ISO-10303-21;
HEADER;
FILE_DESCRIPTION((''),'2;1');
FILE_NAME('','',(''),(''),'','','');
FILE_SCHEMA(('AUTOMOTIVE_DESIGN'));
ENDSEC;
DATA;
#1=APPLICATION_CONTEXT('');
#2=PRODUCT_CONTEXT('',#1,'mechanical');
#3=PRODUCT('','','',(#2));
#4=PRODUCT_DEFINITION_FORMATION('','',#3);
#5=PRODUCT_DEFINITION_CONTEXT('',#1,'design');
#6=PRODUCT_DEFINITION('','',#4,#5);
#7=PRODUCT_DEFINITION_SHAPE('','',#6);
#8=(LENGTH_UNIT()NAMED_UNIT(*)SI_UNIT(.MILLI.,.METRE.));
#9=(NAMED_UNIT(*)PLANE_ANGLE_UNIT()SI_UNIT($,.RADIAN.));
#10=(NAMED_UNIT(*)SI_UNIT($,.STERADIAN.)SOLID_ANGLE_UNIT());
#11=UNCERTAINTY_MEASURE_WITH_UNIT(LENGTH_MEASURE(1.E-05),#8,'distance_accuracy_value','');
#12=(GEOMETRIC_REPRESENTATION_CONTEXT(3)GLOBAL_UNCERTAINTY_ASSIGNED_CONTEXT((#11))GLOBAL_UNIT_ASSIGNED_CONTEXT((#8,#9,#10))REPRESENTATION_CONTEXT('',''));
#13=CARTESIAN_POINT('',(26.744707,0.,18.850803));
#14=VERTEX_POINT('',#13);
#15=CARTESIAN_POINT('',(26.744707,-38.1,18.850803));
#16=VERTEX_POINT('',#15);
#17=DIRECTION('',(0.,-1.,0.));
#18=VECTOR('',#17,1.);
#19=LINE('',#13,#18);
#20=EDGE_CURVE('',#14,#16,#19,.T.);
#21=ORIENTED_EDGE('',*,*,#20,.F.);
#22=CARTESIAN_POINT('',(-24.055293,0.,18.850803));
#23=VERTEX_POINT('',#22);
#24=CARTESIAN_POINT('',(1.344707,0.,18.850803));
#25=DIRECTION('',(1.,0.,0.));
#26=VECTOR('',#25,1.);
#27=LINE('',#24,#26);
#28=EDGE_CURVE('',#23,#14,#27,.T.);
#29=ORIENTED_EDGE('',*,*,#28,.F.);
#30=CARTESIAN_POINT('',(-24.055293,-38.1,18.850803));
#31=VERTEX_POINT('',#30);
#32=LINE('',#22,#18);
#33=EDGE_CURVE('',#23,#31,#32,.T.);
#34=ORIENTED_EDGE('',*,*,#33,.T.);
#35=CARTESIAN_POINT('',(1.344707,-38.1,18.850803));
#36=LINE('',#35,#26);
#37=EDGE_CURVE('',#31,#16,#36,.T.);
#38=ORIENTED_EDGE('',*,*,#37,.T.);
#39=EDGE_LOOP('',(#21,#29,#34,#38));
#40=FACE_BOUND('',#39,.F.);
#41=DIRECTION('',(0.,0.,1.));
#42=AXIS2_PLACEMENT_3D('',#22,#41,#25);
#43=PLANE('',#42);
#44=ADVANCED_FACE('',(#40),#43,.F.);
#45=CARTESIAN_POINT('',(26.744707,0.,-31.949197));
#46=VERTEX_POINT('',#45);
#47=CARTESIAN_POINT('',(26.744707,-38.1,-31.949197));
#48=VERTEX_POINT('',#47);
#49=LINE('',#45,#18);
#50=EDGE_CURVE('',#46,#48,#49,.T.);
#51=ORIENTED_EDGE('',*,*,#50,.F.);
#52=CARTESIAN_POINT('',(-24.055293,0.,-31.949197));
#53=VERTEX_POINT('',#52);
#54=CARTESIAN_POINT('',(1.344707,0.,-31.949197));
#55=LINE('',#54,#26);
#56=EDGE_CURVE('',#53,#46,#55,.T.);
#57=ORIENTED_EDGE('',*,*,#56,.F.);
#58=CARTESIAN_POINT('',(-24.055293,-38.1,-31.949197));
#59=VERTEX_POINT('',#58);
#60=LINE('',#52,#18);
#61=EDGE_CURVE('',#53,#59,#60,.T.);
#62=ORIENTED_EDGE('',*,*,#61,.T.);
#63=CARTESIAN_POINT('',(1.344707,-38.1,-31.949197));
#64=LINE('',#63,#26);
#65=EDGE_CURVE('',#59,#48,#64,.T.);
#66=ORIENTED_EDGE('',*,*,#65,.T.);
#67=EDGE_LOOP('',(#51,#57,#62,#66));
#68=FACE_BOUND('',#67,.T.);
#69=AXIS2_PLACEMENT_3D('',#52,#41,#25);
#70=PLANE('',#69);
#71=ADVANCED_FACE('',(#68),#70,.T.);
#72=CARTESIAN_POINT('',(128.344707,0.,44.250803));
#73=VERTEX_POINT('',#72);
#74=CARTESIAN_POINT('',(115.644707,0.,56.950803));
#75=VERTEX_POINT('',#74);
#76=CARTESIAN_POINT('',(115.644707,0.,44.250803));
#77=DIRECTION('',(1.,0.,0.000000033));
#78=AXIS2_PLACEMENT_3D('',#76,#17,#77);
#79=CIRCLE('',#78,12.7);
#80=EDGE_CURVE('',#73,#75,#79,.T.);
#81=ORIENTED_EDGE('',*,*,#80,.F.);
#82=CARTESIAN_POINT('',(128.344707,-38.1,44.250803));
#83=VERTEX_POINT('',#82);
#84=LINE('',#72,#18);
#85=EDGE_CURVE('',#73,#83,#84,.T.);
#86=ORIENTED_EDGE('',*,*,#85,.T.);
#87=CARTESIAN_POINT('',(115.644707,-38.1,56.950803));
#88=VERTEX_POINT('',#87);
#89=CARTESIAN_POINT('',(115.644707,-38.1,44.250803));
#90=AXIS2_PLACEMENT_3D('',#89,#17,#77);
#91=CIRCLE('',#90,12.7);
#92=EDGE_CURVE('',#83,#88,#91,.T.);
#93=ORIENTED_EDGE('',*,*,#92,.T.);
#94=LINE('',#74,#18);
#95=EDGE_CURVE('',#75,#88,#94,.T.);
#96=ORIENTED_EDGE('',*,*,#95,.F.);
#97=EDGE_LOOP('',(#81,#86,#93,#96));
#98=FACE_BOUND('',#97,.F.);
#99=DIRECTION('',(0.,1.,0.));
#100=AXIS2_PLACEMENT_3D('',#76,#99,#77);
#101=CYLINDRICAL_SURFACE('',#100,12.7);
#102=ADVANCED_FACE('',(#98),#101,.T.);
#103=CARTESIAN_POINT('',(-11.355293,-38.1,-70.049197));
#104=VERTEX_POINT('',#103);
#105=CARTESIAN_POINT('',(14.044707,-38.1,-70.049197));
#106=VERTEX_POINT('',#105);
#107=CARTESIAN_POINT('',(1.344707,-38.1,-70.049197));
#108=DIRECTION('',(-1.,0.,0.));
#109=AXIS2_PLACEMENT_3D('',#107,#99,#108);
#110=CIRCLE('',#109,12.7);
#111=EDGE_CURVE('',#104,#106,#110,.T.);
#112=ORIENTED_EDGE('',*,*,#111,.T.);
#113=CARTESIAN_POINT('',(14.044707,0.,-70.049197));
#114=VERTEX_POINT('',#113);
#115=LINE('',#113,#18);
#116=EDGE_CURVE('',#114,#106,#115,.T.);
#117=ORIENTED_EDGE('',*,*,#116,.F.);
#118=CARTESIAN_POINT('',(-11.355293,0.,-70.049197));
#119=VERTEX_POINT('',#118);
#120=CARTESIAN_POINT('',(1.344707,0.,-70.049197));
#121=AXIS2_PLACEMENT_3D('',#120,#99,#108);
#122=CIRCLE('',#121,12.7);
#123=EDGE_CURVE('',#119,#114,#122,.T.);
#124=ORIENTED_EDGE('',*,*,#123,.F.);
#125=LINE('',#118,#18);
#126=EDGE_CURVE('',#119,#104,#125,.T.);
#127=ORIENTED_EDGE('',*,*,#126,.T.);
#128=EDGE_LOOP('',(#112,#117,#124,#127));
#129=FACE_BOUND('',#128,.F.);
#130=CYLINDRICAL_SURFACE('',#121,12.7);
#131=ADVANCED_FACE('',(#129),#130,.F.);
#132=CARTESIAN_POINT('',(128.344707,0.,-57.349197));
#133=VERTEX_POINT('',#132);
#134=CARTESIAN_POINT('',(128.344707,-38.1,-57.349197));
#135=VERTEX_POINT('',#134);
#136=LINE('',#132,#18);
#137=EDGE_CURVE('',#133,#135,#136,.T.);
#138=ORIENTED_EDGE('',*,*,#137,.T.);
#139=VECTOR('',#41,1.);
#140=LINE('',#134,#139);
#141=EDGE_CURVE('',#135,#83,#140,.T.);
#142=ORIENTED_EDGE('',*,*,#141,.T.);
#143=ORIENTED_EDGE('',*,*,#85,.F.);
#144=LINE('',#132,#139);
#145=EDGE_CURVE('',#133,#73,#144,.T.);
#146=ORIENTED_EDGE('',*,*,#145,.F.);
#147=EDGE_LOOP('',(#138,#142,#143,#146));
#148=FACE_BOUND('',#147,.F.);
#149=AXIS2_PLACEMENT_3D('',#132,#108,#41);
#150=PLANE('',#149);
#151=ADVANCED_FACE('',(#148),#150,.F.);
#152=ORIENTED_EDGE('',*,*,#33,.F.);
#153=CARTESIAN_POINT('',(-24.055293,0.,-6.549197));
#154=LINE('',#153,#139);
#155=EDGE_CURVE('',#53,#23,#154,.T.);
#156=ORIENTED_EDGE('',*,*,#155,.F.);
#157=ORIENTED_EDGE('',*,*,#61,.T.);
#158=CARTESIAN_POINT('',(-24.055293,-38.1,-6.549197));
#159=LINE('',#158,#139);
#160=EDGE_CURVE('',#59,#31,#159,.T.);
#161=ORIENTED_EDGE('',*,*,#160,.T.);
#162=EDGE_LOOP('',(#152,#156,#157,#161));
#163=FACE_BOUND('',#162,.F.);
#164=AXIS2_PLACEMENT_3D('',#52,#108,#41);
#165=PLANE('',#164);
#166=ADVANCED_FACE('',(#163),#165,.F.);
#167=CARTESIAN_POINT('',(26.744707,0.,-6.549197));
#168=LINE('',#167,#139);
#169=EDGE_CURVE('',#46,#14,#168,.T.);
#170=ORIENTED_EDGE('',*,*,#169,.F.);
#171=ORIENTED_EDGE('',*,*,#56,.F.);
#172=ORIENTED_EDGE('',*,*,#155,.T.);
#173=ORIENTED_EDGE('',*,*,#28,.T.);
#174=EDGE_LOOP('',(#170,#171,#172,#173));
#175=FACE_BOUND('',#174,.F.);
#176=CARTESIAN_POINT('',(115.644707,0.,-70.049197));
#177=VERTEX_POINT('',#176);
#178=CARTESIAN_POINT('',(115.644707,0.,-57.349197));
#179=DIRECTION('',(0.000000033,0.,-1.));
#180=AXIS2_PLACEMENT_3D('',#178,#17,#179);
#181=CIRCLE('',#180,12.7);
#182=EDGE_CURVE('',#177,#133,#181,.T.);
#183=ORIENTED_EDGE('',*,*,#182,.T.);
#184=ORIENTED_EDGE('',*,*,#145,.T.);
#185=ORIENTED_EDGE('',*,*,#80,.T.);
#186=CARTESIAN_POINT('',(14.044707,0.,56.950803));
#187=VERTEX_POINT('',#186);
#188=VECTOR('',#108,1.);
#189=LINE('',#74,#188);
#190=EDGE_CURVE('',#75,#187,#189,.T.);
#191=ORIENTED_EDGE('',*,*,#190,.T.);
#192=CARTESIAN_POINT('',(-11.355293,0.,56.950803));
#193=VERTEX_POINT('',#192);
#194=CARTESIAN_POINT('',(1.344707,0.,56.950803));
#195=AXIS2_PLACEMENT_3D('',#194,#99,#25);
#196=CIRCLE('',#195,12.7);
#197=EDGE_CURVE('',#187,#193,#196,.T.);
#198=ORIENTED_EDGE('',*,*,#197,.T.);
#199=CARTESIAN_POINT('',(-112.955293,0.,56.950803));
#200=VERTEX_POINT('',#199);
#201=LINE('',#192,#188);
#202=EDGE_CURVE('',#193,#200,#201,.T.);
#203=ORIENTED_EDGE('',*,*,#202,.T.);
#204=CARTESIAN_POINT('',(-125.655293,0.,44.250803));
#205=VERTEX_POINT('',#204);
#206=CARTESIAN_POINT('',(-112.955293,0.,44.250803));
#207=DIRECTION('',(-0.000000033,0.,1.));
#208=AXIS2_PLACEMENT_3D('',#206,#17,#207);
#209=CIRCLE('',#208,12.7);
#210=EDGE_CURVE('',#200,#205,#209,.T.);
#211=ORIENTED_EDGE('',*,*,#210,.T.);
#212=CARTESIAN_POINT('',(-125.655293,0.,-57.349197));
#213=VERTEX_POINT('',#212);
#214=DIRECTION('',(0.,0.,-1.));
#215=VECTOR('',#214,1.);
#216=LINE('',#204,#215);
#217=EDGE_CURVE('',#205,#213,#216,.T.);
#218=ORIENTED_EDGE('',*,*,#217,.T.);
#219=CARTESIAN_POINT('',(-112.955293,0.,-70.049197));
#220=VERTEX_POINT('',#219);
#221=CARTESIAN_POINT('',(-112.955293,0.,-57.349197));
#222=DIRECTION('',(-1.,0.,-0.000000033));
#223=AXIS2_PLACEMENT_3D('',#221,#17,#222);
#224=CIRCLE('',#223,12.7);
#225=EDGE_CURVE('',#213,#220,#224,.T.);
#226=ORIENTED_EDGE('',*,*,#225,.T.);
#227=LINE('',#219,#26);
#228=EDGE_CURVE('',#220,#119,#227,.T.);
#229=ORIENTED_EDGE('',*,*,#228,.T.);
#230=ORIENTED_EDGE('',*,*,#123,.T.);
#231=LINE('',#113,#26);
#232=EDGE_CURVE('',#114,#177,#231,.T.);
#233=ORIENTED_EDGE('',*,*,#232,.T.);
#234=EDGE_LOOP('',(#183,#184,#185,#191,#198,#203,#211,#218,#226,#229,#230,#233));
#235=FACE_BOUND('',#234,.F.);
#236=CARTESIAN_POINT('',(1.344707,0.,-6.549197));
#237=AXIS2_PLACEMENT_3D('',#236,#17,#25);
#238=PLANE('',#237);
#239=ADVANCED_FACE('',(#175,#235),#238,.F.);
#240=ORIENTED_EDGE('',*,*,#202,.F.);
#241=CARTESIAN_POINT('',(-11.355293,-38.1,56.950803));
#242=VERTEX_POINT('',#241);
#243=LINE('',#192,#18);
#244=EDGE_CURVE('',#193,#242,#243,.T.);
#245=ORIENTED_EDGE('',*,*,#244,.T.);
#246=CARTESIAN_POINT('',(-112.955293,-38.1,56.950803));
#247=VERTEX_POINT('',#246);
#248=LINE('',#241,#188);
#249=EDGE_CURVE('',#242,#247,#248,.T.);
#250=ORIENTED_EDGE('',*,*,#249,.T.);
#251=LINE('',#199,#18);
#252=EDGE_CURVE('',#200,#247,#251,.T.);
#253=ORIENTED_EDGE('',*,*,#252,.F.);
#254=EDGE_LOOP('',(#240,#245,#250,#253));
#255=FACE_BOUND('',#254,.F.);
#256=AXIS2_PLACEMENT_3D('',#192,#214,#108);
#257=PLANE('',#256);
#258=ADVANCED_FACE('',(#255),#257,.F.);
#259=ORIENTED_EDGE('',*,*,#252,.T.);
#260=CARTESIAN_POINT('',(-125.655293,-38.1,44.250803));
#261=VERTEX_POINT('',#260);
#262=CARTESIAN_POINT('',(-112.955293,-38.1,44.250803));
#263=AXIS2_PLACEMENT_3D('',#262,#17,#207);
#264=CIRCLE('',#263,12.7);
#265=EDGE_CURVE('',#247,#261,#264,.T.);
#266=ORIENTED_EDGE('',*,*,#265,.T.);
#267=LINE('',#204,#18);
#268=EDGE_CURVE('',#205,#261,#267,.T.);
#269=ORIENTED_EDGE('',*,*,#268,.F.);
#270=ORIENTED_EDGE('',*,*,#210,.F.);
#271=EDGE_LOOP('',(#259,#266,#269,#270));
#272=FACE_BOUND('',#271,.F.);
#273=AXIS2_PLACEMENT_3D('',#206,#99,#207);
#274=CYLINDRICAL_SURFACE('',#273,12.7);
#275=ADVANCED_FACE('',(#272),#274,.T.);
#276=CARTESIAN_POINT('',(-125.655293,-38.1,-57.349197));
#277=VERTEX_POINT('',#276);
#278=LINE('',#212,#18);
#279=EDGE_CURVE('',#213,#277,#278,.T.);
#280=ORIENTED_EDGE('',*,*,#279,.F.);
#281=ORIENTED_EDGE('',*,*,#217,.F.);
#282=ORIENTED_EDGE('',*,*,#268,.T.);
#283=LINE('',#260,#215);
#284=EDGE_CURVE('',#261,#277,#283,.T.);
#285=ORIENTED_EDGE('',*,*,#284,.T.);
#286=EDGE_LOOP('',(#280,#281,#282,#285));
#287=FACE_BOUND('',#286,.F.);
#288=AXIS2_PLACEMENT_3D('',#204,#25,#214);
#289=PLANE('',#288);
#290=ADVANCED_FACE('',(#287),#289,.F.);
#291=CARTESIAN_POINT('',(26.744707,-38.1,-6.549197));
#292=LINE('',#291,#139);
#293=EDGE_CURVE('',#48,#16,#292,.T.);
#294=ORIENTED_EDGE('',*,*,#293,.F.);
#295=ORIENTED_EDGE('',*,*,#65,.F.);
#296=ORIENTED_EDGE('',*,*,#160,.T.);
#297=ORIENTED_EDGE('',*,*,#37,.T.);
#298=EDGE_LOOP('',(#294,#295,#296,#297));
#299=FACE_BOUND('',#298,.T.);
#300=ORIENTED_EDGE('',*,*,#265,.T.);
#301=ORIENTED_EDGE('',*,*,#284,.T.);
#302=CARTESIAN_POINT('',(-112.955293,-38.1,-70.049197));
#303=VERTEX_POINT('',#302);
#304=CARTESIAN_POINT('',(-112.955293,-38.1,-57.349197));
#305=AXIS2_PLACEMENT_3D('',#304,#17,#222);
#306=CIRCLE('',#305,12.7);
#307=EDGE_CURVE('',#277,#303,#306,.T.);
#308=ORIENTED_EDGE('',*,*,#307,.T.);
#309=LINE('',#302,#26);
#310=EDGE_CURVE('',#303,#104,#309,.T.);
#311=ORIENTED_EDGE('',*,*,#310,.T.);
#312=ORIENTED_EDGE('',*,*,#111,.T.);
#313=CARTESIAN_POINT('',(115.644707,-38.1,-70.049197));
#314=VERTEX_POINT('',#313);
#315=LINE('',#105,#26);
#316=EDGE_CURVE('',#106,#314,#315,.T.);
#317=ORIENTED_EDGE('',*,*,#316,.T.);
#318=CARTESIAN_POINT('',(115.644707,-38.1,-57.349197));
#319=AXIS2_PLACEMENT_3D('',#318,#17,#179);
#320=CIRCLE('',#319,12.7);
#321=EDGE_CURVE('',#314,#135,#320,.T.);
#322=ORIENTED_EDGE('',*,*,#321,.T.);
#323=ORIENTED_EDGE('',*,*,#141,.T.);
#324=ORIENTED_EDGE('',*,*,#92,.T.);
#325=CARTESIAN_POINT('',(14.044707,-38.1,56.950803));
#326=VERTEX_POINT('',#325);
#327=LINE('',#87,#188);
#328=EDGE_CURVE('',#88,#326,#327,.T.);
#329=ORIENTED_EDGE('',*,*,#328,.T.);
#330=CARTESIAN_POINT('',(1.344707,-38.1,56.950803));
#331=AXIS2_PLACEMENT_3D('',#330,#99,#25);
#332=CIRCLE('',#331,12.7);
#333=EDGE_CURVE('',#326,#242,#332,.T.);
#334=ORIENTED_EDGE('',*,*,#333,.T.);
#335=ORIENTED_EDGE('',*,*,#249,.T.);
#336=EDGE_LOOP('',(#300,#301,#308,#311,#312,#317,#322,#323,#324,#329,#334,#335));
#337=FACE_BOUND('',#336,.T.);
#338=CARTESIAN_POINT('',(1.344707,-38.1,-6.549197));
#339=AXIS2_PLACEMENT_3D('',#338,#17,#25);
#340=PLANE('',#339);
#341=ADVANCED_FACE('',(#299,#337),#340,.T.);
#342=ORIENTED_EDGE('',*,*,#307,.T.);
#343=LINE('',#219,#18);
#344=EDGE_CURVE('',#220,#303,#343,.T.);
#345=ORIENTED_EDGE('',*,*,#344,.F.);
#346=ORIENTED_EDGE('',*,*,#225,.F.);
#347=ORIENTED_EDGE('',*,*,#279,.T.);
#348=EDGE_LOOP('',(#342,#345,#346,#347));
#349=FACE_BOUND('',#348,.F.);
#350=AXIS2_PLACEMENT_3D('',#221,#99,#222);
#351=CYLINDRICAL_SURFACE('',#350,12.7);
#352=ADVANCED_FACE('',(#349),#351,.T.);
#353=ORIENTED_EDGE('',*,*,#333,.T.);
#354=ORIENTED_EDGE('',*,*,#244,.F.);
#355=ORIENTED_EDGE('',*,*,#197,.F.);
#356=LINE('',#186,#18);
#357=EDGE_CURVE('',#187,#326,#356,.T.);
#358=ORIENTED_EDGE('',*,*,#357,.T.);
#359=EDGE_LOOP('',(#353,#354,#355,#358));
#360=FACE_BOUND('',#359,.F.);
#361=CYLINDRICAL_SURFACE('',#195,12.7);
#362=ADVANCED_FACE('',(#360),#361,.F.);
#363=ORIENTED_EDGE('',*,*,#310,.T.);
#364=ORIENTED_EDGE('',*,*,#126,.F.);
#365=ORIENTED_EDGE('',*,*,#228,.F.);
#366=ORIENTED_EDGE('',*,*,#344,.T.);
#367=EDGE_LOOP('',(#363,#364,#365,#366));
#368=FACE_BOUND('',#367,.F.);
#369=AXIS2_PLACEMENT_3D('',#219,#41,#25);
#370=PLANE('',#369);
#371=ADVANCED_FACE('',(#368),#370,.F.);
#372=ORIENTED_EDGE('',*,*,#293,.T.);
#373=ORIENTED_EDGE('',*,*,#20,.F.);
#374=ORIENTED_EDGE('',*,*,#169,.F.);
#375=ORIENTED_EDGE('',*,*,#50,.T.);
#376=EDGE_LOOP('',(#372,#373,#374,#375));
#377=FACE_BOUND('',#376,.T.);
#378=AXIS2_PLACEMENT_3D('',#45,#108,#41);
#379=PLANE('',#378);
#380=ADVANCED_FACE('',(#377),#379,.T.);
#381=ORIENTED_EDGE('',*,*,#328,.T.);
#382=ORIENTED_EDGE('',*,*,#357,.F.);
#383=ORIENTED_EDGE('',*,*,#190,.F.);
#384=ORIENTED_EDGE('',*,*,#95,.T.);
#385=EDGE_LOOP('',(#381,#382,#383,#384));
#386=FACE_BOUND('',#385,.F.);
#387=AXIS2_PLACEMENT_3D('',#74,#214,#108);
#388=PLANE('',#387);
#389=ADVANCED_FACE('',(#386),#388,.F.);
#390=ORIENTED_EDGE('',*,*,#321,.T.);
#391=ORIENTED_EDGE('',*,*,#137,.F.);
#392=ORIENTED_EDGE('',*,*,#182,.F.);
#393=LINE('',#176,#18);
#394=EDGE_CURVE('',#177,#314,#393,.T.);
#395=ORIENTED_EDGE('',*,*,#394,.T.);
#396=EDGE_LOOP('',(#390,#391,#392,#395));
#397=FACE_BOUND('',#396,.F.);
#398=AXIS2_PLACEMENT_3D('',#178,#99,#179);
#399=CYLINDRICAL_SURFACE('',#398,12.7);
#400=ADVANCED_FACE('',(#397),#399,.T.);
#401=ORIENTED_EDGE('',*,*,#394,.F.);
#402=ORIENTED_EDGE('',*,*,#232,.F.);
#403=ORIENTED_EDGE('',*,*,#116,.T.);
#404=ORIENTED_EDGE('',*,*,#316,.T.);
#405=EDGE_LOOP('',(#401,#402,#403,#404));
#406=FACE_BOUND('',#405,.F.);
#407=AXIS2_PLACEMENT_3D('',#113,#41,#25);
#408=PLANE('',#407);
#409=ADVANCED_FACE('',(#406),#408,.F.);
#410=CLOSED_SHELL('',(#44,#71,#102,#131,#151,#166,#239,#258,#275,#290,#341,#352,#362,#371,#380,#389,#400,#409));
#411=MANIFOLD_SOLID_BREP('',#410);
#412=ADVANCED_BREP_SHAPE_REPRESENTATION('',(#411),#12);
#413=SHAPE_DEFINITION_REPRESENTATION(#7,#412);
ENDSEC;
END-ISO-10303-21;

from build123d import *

# Parameters (mm, degrees)
F0_W     = 50.8
F0_H     = 50.8
F1_DEPTH = 38.1


with BuildPart() as f1:
    # F0 (on Front) → F1 (new body)
    with BuildSketch(Plane.XZ):
        with BuildLine():
            Line((-11.355293, 56.950803), (-112.955293, 56.950803))
            ThreePointArc((-112.955293, 56.950803), (-121.935549, 53.231059), (-125.655293, 44.250803))
            Line((-125.655293, 44.250803), (-125.655293, -57.349197))
            ThreePointArc((-125.655293, -57.349197), (-121.935549, -66.329453), (-112.955293, -70.049197))
            Line((-112.955293, -70.049197), (-11.355293, -70.049197))
            ThreePointArc((-11.355293, -70.049197), (1.344707, -57.349197), (14.044707, -70.049197))
            Line((14.044707, -70.049197), (115.644707, -70.049197))
            ThreePointArc((115.644707, -70.049197), (124.624963, -66.329453), (128.344707, -57.349197))
            Line((128.344707, -57.349197), (128.344707, 44.250803))
            ThreePointArc((128.344707, 44.250803), (124.624963, 53.231059), (115.644707, 56.950803))
            Line((115.644707, 56.950803), (14.044707, 56.950803))
            ThreePointArc((14.044707, 56.950803), (1.344707, 44.250803), (-11.355293, 56.950803))
        make_face()
        with Locations((1.344707, -6.549197)):
            Rectangle(F0_W, F0_H, mode=Mode.SUBTRACT)
    extrude(amount=F1_DEPTH)


solid = f1.part
